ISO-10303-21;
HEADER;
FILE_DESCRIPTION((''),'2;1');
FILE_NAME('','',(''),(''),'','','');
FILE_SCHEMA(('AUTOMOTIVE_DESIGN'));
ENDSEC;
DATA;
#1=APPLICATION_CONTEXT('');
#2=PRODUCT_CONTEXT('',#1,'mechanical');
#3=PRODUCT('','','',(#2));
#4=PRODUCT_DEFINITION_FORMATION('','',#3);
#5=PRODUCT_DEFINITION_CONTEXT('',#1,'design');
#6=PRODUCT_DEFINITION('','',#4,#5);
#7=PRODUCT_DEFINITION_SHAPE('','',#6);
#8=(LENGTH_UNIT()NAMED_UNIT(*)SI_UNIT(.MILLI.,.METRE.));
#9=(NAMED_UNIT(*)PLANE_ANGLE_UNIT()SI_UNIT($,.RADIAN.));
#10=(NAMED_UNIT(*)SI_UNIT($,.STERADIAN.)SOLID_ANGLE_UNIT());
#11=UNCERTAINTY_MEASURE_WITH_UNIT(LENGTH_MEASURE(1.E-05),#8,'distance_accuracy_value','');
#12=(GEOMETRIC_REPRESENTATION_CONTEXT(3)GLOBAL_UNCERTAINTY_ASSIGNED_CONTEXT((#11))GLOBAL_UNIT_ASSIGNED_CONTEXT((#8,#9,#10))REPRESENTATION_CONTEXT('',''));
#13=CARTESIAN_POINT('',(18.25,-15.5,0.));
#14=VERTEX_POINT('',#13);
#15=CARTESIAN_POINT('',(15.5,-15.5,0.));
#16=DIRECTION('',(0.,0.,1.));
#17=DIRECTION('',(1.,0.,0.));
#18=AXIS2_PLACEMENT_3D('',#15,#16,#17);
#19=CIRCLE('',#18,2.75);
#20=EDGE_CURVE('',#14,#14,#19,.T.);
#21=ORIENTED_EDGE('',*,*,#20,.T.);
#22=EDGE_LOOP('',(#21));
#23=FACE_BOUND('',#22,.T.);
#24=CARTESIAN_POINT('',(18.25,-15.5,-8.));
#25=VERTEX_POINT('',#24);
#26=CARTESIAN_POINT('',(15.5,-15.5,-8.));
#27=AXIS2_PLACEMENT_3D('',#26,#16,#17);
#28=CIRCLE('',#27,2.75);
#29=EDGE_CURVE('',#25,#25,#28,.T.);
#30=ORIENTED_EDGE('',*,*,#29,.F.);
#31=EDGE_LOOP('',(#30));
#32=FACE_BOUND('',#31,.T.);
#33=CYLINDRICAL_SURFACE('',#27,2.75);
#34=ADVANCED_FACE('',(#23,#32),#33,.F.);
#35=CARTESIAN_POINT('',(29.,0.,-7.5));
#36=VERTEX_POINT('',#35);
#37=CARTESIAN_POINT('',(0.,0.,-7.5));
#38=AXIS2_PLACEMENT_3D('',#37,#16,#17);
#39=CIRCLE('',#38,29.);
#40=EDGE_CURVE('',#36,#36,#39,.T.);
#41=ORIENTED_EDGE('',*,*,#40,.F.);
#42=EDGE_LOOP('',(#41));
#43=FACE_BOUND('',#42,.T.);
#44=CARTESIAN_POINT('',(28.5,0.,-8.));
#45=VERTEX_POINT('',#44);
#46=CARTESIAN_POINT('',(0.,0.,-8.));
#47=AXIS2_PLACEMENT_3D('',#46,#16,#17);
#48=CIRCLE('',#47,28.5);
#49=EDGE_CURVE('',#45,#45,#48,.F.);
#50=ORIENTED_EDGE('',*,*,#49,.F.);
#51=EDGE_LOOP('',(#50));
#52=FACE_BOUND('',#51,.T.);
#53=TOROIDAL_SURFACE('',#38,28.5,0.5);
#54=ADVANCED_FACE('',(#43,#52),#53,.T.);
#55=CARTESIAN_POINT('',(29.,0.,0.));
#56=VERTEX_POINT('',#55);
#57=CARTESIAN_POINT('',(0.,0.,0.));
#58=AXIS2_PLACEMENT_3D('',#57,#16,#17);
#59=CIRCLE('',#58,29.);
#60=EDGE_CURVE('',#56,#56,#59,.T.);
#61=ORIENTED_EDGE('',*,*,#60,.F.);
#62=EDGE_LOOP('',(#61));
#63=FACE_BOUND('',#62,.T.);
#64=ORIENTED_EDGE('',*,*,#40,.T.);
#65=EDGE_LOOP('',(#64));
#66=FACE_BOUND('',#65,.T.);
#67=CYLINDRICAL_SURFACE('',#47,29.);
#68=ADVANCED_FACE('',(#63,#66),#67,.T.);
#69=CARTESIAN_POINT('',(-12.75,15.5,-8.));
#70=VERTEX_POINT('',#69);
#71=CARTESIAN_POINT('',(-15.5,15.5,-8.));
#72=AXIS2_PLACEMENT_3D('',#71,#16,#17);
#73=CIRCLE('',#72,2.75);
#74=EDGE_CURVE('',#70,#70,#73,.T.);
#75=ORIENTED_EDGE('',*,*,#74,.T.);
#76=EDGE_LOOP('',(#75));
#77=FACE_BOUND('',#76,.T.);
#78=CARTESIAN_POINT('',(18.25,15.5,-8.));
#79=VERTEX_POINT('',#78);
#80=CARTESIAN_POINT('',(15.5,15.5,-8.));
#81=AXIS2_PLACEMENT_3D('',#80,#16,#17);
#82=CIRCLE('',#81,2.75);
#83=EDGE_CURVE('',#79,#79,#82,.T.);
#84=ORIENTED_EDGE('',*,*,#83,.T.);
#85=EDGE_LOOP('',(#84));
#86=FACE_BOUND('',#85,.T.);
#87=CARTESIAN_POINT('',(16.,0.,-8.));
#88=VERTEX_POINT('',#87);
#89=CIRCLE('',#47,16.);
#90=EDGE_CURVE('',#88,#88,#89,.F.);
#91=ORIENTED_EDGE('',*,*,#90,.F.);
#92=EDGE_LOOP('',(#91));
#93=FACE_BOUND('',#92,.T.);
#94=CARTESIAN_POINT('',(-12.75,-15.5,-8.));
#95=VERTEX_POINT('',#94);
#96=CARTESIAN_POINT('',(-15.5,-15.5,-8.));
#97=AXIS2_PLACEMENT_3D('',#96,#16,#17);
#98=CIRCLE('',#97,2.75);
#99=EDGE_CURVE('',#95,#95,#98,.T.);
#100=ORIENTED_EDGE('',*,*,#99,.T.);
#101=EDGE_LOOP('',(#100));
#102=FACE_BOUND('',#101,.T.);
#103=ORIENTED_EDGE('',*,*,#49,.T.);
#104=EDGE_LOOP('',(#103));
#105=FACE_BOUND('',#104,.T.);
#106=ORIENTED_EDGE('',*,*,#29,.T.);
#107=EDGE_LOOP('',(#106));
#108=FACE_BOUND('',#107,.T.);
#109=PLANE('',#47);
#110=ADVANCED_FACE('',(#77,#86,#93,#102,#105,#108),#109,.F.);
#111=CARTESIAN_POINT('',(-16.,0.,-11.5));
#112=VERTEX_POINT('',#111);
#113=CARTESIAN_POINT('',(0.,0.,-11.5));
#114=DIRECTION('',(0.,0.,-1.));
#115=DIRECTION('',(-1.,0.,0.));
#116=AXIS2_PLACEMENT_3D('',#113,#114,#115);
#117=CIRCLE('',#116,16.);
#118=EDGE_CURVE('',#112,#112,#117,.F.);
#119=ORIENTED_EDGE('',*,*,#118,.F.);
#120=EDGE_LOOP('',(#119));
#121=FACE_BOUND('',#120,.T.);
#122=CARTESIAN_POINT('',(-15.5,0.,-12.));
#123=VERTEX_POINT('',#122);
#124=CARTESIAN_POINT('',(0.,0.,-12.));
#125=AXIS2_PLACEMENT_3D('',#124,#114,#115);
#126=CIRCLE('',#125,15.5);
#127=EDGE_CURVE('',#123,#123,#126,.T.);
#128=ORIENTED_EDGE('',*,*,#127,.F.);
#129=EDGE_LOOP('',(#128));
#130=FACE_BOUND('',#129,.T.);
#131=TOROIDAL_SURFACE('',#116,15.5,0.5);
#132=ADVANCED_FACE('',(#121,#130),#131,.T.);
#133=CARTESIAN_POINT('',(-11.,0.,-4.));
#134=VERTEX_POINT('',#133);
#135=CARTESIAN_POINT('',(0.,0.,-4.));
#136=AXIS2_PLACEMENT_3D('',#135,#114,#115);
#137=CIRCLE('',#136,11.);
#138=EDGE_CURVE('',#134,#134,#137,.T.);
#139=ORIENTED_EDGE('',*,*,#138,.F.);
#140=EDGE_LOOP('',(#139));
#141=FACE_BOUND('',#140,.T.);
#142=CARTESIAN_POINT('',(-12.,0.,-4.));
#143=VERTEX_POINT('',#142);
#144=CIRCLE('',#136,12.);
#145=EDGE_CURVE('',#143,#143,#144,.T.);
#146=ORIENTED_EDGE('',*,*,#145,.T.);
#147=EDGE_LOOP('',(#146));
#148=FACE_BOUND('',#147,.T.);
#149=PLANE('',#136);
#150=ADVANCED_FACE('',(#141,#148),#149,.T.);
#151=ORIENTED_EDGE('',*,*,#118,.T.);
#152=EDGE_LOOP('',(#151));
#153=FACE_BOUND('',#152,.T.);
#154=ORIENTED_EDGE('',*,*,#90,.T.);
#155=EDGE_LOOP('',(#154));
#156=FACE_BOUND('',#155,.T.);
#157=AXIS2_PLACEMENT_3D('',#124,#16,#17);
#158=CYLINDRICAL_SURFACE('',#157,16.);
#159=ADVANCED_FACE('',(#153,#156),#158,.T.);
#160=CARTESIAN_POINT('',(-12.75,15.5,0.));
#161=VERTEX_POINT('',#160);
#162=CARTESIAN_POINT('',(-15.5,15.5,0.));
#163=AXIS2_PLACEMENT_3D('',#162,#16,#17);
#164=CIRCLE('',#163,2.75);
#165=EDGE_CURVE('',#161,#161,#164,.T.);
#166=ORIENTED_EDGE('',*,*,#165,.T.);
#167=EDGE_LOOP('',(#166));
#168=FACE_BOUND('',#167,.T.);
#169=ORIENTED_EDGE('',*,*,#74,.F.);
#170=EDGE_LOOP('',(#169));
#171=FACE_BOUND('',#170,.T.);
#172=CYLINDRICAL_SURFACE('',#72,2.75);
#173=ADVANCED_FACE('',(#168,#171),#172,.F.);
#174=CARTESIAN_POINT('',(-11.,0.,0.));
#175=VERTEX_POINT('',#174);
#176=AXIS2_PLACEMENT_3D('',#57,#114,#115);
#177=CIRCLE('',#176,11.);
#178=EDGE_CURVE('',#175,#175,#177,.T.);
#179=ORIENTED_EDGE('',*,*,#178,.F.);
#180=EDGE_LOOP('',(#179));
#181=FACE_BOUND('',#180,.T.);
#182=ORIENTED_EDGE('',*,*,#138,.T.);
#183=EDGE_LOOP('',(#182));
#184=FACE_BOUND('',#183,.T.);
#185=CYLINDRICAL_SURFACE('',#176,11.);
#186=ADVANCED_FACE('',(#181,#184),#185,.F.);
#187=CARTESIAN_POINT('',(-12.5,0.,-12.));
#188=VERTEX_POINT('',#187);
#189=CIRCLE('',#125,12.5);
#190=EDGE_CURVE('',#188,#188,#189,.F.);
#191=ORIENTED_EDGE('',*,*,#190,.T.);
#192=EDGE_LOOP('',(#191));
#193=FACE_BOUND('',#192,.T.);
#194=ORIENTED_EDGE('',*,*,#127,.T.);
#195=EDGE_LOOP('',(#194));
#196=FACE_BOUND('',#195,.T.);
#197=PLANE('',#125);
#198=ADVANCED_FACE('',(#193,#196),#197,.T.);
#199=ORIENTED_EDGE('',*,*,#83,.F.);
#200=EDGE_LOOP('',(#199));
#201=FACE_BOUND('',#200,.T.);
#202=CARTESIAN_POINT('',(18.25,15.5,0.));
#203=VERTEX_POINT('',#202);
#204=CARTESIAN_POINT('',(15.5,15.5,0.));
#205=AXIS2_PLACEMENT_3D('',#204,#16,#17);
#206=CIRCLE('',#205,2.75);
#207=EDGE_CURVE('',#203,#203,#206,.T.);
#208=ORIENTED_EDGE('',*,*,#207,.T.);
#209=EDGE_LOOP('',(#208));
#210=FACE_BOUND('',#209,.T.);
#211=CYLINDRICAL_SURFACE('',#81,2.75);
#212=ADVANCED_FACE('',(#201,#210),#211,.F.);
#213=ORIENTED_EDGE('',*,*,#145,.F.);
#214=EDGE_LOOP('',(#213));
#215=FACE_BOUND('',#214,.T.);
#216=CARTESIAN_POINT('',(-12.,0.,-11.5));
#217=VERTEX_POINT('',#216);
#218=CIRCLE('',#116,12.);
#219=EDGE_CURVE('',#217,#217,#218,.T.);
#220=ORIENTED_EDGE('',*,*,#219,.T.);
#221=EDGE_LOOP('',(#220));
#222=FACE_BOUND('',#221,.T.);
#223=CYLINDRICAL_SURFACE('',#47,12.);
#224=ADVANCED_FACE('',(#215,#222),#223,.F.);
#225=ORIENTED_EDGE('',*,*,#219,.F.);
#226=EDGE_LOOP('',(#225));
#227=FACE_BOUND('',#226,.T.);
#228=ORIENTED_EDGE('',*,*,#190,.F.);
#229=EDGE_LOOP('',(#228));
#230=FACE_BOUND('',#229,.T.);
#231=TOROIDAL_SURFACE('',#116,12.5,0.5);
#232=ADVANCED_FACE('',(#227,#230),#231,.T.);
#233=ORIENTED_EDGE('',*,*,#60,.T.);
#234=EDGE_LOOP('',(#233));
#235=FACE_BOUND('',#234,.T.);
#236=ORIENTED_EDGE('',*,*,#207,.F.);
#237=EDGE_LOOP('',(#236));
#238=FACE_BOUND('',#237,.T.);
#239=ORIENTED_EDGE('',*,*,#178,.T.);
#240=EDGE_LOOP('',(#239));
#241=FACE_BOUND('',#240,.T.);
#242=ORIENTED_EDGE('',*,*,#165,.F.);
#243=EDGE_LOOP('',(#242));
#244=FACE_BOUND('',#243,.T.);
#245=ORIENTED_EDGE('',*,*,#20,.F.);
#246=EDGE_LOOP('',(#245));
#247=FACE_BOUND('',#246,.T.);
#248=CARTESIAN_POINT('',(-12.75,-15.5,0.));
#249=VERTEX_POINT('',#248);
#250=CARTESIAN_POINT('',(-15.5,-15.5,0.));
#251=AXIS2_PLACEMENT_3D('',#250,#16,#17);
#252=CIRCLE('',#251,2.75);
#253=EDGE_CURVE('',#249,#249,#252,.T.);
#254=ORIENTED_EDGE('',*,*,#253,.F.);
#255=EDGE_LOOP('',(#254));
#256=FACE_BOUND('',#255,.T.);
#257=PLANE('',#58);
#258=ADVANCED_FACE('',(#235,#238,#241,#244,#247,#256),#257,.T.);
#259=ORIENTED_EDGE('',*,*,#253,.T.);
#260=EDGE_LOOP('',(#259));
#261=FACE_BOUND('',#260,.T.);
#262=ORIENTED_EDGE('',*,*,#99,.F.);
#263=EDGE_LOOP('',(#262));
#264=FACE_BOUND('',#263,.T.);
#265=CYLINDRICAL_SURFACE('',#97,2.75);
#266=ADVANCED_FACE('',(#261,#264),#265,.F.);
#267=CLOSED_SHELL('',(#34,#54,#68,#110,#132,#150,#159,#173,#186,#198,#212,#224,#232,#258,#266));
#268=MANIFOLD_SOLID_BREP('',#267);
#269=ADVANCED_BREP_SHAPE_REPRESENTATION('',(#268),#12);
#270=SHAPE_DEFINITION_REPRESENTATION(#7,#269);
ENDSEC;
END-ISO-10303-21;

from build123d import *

# Parameters (mm, degrees)
CROQUIS1_R              = 29
CROQUIS1_R_2            = 2.75
CROQUIS1_R_3            = 12
SALIENTE_EXTRUIR1_DEPTH = 8
CROQUIS2_R              = 16
CROQUIS2_R_2            = 12
SALIENTE_EXTRUIR2_DEPTH = 4
SALIENTE_EXTRUIR3_START = -4
CROQUIS3_R              = 12
CROQUIS3_R_2            = 11
SALIENTE_EXTRUIR3_DEPTH = 4
REDONDEO2_R             = 0.5


with BuildPart() as part:
    # Croquis1 → Saliente-Extruir1 (new body)
    with BuildSketch(Plane.XY):
        Circle(CROQUIS1_R)
        with Locations((-15.5, 15.5)):
            Circle(CROQUIS1_R_2, mode=Mode.SUBTRACT)
        with Locations((15.5, 15.5)):
            Circle(CROQUIS1_R_2, mode=Mode.SUBTRACT)
        with Locations((15.5, -15.5)):
            Circle(CROQUIS1_R_2, mode=Mode.SUBTRACT)
        with Locations((-15.5, -15.5)):
            Circle(CROQUIS1_R_2, mode=Mode.SUBTRACT)
        Circle(CROQUIS1_R_3, mode=Mode.SUBTRACT)
    extrude(amount=-SALIENTE_EXTRUIR1_DEPTH)

    # Croquis2 → Saliente-Extruir2 (add)
    with BuildSketch(Plane(origin=(0, 0, -8), x_dir=(-1, 0, 0), z_dir=(0, 0, -1))):
        with Locations(Location((0, 0, 0), (0, 0, 180))):
            Circle(CROQUIS2_R)
        with Locations(Location((0, 0, 0), (0, 0, 180))):
            Circle(CROQUIS2_R_2, mode=Mode.SUBTRACT)
    extrude(amount=SALIENTE_EXTRUIR2_DEPTH)

    # Croquis3 → Saliente-Extruir3 (add)
    with BuildSketch(Plane(origin=(0, 0, -4), x_dir=(-1, 0, 0), z_dir=(0, 0, -1)).offset(SALIENTE_EXTRUIR3_START)):
        Circle(CROQUIS3_R)
        Circle(CROQUIS3_R_2, mode=Mode.SUBTRACT)
    extrude(amount=SALIENTE_EXTRUIR3_DEPTH)

    # Redondeo2
    redondeo2_edges = [part.edges().sort_by_distance(p)[0] for p in [
        (-16, 0, -12),
        (-12, 0, -12),
        (-29, 0, -8),
    ]]
    fillet(redondeo2_edges, radius=REDONDEO2_R)


solid = part.part
